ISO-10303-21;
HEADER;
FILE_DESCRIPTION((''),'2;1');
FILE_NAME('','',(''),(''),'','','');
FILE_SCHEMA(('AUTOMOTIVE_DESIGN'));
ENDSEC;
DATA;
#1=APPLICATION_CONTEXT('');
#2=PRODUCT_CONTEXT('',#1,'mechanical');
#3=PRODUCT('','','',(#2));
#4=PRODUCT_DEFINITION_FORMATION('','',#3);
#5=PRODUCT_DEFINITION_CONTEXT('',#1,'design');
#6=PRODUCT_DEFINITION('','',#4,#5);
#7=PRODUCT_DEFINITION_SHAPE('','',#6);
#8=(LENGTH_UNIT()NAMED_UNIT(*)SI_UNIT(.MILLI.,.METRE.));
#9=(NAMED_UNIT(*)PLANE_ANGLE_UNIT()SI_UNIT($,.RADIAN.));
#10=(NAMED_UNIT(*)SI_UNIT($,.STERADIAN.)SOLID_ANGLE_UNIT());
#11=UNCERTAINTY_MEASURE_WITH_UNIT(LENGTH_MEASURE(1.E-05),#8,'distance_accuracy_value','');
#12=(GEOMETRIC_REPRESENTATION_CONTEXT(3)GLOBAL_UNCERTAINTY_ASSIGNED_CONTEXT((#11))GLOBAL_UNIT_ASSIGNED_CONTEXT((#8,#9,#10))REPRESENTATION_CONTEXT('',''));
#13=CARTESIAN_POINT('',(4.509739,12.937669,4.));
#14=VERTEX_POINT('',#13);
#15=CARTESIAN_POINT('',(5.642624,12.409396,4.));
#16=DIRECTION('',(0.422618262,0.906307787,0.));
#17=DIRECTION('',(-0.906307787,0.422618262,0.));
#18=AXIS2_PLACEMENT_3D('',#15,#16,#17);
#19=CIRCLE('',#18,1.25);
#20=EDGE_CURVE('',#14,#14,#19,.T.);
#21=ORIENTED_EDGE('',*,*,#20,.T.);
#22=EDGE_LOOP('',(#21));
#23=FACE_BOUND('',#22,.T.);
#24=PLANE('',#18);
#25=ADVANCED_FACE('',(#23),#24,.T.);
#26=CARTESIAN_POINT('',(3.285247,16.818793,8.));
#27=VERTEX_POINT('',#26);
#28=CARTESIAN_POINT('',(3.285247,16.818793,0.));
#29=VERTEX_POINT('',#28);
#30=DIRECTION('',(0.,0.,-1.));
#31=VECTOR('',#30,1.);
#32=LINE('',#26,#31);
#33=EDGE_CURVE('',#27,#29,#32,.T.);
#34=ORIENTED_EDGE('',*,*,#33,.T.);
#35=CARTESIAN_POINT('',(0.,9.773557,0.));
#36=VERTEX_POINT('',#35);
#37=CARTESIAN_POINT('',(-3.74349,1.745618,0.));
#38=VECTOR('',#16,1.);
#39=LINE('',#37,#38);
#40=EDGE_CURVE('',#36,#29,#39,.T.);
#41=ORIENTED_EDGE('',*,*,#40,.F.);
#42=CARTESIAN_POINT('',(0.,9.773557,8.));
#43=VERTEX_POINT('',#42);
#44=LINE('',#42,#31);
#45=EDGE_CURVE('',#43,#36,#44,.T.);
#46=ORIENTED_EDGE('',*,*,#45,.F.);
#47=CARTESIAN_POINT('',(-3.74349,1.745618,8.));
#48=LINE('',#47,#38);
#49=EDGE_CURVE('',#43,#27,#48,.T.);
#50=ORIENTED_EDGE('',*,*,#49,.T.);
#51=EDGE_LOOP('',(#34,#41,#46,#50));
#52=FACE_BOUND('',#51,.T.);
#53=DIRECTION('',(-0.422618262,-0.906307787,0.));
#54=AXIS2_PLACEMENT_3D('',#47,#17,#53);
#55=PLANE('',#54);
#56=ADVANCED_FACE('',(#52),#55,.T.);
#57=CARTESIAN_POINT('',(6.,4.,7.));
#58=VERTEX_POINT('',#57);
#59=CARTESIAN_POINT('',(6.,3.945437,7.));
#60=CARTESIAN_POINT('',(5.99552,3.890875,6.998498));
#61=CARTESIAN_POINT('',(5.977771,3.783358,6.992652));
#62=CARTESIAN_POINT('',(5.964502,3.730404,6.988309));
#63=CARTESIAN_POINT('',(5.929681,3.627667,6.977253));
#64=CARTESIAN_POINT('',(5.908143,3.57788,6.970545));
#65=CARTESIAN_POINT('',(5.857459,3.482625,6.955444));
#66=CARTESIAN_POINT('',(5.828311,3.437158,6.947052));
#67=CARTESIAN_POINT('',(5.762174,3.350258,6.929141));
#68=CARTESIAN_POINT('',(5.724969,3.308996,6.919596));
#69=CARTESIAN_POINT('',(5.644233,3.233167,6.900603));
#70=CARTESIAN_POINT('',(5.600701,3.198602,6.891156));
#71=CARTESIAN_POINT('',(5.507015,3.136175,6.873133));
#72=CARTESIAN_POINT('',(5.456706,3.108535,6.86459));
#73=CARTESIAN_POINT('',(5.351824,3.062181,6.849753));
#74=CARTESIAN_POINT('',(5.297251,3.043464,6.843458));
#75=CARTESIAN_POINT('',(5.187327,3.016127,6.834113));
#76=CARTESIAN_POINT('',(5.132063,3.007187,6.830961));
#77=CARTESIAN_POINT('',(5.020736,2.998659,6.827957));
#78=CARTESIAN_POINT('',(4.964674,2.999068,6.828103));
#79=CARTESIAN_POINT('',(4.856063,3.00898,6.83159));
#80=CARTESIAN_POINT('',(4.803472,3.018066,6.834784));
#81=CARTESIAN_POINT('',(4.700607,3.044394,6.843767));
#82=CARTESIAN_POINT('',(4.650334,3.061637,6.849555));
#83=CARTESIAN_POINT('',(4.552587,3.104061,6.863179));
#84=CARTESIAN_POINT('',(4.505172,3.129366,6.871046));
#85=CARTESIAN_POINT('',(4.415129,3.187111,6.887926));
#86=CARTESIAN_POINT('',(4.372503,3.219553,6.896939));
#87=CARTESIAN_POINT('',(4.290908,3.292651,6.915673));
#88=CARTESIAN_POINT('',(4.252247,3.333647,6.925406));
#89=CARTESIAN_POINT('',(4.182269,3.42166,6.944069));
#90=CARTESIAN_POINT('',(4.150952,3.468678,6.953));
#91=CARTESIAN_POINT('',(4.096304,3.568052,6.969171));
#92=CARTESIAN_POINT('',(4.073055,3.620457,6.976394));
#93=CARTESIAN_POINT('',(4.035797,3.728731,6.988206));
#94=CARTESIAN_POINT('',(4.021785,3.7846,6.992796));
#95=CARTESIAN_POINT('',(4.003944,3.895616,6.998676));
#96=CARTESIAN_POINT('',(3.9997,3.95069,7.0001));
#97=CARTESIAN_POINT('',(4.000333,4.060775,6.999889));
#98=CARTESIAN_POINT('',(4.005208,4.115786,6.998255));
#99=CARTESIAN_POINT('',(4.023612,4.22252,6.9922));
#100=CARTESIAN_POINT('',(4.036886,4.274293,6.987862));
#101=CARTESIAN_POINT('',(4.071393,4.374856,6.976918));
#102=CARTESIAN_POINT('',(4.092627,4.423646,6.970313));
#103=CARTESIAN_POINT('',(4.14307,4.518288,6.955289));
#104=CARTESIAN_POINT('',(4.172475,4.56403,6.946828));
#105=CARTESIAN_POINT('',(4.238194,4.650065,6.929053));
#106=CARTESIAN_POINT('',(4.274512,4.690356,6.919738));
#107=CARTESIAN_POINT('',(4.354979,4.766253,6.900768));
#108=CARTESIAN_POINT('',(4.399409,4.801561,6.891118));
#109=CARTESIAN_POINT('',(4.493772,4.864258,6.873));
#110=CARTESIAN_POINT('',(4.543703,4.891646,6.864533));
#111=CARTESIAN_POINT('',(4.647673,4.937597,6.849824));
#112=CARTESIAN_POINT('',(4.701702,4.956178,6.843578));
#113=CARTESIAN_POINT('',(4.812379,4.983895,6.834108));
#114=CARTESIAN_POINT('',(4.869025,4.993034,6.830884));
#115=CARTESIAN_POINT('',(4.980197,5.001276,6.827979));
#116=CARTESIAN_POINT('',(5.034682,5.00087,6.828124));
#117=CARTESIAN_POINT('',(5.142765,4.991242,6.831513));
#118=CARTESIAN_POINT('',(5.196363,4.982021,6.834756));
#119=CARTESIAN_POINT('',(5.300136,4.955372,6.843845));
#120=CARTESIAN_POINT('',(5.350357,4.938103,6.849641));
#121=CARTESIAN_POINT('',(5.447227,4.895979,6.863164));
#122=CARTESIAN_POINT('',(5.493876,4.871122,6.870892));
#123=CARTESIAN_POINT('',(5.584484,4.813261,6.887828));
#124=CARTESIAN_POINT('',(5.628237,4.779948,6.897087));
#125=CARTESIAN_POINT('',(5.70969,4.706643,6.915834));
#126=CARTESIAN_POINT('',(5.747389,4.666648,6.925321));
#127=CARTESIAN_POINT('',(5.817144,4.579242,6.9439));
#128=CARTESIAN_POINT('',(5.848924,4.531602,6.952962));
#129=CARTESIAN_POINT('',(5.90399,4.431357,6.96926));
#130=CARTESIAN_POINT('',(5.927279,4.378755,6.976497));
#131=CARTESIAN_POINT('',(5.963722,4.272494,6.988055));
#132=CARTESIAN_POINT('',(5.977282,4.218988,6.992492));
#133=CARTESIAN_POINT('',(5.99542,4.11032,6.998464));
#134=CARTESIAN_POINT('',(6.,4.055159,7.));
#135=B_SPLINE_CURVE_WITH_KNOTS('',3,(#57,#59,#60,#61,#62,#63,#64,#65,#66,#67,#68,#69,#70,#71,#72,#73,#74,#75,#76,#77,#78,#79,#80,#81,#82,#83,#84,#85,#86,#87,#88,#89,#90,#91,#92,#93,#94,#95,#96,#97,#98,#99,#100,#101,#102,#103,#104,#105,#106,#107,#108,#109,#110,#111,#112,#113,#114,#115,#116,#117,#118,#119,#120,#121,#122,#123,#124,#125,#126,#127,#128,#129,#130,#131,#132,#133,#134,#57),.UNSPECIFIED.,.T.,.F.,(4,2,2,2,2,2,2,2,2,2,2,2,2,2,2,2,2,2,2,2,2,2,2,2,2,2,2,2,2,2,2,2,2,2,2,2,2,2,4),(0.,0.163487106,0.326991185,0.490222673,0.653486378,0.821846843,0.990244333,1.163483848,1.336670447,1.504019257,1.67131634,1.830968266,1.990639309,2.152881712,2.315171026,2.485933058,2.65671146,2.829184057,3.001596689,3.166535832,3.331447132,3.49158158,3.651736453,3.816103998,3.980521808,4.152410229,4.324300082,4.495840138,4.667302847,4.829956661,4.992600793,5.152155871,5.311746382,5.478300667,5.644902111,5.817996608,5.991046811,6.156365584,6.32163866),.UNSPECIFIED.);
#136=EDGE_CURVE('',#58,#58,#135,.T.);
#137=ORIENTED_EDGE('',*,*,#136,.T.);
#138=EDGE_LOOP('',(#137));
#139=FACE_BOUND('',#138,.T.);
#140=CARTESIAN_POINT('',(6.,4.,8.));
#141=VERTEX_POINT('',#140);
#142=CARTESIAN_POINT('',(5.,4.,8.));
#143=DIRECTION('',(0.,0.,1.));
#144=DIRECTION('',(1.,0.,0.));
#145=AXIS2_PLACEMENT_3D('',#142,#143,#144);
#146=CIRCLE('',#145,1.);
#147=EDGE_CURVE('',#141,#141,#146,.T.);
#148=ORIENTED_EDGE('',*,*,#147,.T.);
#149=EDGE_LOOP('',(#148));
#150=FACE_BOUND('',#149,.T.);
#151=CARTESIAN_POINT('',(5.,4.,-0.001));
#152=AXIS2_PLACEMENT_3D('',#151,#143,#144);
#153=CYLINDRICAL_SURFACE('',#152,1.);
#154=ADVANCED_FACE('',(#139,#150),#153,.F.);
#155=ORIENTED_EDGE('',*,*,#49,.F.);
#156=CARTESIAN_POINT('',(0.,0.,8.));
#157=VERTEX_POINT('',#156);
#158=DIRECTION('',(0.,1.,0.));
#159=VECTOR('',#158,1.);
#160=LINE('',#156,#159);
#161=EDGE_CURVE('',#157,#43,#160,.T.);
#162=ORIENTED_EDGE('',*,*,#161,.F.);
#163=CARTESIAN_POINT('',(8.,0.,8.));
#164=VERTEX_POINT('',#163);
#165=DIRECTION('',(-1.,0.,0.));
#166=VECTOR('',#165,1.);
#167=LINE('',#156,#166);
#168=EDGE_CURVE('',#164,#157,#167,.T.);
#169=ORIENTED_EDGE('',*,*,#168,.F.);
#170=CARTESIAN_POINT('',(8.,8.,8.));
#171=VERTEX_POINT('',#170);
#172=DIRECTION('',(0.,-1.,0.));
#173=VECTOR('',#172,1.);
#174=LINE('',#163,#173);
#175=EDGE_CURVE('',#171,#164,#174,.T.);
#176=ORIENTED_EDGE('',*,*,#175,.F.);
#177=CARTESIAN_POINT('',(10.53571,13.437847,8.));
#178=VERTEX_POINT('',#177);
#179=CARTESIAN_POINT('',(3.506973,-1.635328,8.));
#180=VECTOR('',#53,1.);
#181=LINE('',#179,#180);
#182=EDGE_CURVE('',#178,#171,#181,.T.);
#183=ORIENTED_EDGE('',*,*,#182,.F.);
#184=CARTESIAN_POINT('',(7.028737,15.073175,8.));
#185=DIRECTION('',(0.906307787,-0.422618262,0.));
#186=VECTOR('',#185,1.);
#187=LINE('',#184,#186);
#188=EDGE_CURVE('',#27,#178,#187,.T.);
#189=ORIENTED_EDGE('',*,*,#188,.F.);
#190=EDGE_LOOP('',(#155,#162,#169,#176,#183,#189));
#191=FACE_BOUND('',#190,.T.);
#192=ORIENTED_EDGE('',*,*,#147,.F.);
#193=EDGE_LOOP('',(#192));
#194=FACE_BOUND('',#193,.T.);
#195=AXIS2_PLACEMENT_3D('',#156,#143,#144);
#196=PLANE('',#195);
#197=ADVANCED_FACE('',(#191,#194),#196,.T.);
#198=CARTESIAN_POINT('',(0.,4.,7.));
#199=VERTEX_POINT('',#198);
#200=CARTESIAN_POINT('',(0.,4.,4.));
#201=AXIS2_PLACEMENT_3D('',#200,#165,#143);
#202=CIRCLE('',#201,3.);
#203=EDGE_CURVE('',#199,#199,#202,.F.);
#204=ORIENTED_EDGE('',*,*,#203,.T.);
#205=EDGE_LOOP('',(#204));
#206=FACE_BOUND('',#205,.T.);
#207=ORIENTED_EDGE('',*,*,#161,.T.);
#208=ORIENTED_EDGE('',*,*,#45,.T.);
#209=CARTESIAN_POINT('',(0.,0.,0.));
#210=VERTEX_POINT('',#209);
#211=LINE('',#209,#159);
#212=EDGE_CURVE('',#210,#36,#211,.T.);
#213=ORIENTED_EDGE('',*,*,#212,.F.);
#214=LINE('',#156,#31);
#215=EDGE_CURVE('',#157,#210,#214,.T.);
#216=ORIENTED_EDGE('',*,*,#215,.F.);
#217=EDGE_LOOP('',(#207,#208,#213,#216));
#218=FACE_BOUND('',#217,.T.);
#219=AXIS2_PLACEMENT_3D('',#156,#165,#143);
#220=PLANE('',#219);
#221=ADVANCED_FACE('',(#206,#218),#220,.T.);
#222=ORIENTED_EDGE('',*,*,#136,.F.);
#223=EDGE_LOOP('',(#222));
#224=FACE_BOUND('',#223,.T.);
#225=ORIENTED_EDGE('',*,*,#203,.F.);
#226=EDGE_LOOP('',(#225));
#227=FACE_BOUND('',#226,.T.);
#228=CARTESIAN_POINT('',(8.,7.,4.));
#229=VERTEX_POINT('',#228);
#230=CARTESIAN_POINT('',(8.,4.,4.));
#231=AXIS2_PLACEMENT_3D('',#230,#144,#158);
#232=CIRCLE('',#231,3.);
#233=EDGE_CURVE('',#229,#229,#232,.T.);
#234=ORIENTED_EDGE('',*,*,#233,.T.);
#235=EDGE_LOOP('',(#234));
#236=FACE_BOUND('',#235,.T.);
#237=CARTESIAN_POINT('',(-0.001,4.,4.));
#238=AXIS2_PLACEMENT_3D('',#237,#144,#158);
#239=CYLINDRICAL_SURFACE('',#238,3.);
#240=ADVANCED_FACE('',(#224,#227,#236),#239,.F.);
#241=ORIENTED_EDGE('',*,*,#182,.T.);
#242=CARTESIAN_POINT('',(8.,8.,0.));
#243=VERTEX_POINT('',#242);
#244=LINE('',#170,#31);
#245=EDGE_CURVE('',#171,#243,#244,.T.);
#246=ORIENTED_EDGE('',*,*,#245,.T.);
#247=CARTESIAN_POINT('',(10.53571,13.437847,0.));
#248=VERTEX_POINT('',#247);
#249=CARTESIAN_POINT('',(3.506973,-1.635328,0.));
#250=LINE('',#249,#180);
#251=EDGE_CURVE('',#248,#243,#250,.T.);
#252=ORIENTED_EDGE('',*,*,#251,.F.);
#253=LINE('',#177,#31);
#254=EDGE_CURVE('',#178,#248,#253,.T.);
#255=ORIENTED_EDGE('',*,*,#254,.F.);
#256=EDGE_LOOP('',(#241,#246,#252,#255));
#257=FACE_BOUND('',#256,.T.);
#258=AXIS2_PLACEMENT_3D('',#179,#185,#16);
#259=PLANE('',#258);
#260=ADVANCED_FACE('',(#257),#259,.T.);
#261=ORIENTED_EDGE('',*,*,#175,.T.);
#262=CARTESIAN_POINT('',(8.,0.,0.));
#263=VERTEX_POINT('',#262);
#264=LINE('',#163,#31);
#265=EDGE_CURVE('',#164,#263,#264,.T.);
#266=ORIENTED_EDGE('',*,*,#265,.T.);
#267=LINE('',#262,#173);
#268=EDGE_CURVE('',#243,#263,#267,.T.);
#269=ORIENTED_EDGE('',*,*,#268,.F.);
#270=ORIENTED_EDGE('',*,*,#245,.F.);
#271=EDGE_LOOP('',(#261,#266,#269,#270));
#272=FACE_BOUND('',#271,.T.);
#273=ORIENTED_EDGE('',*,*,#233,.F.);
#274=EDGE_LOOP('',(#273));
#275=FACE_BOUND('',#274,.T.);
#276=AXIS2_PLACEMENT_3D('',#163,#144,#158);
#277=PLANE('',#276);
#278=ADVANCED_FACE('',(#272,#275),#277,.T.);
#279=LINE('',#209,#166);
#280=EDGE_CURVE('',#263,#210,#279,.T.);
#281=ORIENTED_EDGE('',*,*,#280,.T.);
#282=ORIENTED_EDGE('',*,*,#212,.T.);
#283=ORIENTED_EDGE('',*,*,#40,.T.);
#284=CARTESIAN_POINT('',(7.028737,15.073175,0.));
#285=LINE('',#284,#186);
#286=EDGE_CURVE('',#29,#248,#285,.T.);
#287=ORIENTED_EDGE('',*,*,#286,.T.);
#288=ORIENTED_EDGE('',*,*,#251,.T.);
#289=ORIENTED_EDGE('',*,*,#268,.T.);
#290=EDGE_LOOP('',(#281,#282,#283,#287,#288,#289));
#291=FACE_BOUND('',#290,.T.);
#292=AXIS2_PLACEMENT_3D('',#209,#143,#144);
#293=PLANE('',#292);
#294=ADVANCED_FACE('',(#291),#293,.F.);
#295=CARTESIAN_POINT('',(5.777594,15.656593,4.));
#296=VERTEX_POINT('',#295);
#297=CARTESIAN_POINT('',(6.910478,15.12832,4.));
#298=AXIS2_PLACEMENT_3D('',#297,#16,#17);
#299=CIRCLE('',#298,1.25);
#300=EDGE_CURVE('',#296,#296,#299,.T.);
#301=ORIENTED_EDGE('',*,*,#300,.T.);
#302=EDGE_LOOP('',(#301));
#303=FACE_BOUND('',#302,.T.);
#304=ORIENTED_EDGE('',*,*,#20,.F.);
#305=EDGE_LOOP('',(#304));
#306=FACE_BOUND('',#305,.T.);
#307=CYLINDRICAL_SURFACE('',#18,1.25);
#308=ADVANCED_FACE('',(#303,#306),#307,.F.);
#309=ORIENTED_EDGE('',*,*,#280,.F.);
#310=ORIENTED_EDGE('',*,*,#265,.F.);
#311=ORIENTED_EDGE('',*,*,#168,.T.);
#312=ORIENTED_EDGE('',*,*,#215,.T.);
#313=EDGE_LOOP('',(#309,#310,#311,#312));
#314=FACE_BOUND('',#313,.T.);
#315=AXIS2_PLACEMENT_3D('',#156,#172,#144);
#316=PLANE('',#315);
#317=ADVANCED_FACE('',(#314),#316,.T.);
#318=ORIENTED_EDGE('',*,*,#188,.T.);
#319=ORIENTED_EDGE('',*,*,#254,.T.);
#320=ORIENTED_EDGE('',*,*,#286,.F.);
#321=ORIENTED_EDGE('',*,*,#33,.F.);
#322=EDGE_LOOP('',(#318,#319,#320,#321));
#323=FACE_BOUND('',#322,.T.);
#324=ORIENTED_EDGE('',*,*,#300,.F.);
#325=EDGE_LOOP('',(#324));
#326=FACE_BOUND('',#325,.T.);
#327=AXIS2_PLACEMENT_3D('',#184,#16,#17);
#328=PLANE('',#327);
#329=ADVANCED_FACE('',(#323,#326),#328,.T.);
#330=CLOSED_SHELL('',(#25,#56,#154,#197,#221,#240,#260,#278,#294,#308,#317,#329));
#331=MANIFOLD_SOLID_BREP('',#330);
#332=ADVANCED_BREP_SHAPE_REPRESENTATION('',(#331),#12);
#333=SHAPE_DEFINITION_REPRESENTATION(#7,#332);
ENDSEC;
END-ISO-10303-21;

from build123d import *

# Parameters (mm, degrees)
BOSS_EXTRUDE1_DEPTH = 8
CUT_EXTRUDE1_REACH  = 10
SKETCH3_R           = 3
CUT_EXTRUDE2_REACH  = 10
SKETCH4_R           = 1
SKETCH5_R           = 1.25
CUT_EXTRUDE3_DEPTH  = 3


with BuildPart() as part:
    # Sketch2 → Boss-Extrude1 (new body)
    with BuildSketch(Plane.XY):
        Polygon((8, 0), (0, 0), (0, 9.773557301), (3.285247274, 16.818792816), (10.53570957, 13.437846722), (8, 8), align=None)
    extrude(amount=BOSS_EXTRUDE1_DEPTH)

    # Sketch3 → Cut-Extrude1 (cut, up to next)
    with BuildSketch(Plane(origin=(8, 0, 0), x_dir=(0, 0, -1), z_dir=(1, 0, 0)), mode=Mode.PRIVATE) as cut_extrude1_sk1:
        with Locations((-4, 4)):
            Circle(SKETCH3_R)
    cut_extrude1_tool1 = extrude(cut_extrude1_sk1.sketch, amount=-CUT_EXTRUDE1_REACH, mode=Mode.PRIVATE) & part.part
    add(cut_extrude1_tool1.solids().sort_by_distance((8, 4, 4))[0], mode=Mode.SUBTRACT)

    # Sketch4 → Cut-Extrude2 (cut, up to next)
    with BuildSketch(Plane.XY.offset(8), mode=Mode.PRIVATE) as cut_extrude2_sk1:
        with Locations((5, 4)):
            Circle(SKETCH4_R)
    cut_extrude2_tool1 = extrude(cut_extrude2_sk1.sketch, amount=-CUT_EXTRUDE2_REACH, mode=Mode.PRIVATE) & part.part
    add(cut_extrude2_tool1.solids().sort_by_distance((5, 4, 8))[0], mode=Mode.SUBTRACT)

    # Sketch5 → Cut-Extrude3 (cut)
    with BuildSketch(Plane(origin=(7.028736904, 15.073174933, 0), x_dir=(0.906307787, -0.422618262, 0), z_dir=(0.422618262, 0.906307787, 0))):
        with Locations((-0.130483798, -4)):
            Circle(SKETCH5_R)
    extrude(amount=-CUT_EXTRUDE3_DEPTH, mode=Mode.SUBTRACT)


solid = part.part
